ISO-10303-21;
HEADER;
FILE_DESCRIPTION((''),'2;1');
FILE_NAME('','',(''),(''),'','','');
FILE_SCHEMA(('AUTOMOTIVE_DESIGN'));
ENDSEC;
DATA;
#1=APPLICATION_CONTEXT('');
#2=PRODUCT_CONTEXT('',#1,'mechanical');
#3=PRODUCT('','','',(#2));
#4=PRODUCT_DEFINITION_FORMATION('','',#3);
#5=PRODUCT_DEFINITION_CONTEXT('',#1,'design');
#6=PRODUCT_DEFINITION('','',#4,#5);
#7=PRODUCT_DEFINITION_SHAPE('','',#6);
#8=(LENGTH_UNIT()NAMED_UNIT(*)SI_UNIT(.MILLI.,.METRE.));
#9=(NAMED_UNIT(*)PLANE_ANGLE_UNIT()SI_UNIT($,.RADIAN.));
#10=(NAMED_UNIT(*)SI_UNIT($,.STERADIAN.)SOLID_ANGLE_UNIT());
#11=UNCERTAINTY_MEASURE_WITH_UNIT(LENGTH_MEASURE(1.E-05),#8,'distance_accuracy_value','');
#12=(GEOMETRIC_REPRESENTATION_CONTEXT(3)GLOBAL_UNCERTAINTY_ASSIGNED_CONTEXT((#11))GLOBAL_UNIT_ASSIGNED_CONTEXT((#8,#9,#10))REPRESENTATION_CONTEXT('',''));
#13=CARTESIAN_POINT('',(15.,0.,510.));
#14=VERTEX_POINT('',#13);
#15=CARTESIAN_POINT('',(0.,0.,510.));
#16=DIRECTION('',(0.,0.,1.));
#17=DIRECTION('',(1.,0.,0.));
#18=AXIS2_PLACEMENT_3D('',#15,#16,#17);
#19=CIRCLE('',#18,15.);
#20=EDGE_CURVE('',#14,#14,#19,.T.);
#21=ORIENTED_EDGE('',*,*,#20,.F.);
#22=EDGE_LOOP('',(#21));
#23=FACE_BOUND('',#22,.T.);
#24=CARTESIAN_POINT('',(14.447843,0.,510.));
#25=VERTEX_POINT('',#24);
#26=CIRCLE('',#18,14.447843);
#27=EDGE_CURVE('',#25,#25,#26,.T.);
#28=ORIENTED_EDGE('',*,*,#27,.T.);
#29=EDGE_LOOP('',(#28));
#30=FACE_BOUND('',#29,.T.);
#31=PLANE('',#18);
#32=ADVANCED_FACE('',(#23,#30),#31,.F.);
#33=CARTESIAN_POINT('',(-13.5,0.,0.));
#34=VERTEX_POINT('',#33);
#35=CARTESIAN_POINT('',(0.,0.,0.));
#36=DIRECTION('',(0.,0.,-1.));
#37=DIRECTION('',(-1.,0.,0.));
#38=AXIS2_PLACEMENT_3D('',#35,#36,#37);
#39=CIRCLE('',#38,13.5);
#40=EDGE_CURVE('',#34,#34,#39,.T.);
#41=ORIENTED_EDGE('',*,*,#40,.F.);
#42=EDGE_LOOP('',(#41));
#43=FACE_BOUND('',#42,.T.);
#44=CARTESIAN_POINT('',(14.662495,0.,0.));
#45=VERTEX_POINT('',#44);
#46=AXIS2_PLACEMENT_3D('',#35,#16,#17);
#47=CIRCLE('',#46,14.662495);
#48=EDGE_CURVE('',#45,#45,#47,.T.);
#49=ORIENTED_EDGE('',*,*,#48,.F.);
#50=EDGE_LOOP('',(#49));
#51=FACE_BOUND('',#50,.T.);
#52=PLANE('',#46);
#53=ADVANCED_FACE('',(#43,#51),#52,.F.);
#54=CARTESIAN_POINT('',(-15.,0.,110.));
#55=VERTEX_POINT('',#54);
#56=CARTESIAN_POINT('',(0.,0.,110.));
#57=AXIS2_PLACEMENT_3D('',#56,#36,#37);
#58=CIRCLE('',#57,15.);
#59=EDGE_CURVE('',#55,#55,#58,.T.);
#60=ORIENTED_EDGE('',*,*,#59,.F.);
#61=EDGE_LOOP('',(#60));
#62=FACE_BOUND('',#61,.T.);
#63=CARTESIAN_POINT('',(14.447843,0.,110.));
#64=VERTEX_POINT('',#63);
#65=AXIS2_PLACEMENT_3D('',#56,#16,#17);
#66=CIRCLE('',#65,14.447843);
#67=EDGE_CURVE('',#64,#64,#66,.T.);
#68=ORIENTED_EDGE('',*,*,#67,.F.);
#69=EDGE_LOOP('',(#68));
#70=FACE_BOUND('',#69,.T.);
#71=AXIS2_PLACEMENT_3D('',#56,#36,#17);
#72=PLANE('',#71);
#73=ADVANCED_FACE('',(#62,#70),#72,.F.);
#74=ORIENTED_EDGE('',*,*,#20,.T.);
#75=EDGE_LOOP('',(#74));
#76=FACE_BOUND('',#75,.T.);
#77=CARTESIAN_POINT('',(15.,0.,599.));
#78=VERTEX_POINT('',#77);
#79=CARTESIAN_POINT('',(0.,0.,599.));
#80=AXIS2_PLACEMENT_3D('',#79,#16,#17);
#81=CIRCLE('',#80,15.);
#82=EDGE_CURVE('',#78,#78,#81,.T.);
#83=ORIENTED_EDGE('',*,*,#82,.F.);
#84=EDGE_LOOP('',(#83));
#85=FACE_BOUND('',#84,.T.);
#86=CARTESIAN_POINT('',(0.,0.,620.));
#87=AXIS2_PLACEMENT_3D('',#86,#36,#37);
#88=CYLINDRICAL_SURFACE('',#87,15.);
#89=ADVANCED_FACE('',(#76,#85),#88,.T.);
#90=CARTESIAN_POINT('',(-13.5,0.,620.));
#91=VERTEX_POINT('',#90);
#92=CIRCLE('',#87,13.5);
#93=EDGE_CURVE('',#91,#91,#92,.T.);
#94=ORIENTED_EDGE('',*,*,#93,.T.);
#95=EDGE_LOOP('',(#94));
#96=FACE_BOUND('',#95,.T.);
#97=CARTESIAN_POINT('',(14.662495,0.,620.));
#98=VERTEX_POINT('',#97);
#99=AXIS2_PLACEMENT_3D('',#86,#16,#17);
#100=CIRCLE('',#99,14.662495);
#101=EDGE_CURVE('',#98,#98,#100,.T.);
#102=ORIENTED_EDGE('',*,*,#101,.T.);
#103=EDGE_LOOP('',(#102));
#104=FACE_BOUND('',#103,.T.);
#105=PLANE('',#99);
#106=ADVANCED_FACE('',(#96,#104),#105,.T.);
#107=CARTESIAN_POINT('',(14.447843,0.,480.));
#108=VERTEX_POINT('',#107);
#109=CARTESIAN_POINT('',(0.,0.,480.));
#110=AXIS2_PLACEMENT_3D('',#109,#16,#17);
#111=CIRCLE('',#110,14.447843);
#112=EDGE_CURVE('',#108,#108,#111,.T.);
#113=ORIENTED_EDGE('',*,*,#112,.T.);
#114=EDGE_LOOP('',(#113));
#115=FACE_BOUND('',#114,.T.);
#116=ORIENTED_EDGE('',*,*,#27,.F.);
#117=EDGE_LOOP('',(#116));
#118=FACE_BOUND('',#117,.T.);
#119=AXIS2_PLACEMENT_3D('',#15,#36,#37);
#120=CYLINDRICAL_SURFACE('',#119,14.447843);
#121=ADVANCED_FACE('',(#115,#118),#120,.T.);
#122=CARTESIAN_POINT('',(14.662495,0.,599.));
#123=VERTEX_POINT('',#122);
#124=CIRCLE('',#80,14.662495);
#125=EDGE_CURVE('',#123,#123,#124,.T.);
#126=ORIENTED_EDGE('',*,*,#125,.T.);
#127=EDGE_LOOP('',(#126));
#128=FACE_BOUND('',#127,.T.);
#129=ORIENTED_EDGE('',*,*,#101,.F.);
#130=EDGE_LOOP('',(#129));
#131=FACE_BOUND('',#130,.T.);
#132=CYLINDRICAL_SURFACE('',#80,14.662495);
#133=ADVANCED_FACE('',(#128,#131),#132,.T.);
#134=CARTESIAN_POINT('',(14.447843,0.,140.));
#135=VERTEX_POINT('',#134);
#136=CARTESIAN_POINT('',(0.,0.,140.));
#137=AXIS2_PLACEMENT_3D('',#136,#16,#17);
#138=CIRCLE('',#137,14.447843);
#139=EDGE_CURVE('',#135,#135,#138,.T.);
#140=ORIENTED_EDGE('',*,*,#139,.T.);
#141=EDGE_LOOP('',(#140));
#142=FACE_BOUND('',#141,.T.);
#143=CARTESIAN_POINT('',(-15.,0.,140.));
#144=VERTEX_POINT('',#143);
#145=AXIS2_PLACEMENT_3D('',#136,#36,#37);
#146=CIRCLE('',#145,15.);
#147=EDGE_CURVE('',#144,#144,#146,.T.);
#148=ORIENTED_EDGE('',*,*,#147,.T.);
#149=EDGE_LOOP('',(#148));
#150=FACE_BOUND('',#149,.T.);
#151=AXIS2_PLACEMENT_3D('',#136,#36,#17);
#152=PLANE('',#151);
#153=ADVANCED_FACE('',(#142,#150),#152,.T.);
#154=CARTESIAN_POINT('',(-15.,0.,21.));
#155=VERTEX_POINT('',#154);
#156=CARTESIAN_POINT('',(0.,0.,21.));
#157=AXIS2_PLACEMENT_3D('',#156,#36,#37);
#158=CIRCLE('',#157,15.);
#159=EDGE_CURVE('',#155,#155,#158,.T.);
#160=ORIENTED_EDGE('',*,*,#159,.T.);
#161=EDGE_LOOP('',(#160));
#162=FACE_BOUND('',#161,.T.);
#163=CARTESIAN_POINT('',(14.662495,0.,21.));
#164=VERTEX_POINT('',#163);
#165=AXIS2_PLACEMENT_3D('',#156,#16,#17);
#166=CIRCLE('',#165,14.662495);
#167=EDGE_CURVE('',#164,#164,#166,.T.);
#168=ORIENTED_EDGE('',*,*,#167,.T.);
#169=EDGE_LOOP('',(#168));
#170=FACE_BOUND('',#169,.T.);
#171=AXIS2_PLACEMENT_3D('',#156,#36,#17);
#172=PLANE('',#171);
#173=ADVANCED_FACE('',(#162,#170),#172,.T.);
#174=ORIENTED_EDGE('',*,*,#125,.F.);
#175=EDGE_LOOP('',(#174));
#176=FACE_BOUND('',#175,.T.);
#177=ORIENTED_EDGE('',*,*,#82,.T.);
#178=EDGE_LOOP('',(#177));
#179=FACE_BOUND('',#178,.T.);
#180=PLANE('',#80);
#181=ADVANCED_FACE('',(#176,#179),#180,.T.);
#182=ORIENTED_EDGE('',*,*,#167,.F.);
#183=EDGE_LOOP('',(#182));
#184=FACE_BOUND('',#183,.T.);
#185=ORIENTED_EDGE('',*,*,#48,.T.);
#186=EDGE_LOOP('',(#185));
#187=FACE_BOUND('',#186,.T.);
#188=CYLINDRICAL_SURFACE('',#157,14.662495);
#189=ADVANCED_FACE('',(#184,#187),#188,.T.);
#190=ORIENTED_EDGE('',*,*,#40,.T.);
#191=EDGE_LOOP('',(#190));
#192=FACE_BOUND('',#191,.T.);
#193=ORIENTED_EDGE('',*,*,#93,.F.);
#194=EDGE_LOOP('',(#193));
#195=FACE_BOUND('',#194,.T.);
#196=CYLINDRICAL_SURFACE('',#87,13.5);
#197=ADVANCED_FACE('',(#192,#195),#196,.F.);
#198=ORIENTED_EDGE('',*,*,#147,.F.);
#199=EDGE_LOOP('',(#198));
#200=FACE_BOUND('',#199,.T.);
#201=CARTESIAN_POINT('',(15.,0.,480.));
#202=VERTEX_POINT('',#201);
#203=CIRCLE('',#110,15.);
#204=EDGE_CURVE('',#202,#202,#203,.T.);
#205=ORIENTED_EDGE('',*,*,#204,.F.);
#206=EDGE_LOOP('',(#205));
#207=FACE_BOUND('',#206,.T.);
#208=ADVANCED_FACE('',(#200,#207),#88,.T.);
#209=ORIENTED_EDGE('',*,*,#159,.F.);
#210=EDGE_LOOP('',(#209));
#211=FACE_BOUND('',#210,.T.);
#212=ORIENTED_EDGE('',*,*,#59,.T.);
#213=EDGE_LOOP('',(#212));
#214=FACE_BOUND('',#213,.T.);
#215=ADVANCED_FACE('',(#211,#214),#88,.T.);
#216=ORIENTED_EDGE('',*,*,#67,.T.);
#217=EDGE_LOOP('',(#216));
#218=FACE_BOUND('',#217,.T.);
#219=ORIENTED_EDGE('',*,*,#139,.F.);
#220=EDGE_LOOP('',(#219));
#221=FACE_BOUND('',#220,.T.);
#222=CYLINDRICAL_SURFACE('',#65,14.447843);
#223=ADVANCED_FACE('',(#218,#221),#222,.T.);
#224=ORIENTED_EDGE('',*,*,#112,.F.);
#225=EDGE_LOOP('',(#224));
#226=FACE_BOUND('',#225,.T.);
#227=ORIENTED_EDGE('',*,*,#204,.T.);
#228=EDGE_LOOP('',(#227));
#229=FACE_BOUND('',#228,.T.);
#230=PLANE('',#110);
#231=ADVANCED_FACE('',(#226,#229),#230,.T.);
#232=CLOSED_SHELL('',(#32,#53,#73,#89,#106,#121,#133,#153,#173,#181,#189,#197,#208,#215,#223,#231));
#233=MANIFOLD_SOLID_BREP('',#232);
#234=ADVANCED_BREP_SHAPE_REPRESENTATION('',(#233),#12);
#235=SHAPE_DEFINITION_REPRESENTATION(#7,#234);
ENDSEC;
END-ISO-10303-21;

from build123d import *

# Parameters (mm, degrees)
SKETCH1_R           = 15
BOSS_EXTRUDE1_DEPTH = 620
SKETCH2_R           = 13.5
CUT_EXTRUDE1_DEPTH  = 621.362797079
SKETCH4_R           = 16.267367871
SKETCH4_R_2         = 14.447843326
CUT_EXTRUDE2_DEPTH  = 30
SKETCH5_R           = 16.193324777
SKETCH5_R_2         = 14.662495413
CUT_EXTRUDE3_DEPTH  = 21


with BuildPart() as part:
    # Sketch1 → Boss-Extrude1 (new body)
    with BuildSketch(Plane.XY):
        Circle(SKETCH1_R)
    extrude(amount=BOSS_EXTRUDE1_DEPTH)

    # Sketch2 → Cut-Extrude1 (cut, through all)
    with BuildSketch(Plane(origin=(0, 0, 0), x_dir=(-1, 0, 0), z_dir=(0, 0, -1))):
        Circle(SKETCH2_R)
    extrude(amount=-CUT_EXTRUDE1_DEPTH, mode=Mode.SUBTRACT)

    # Sketch4 → Cut-Extrude2 (cut)
    with BuildSketch(Plane.XY.offset(480)):
        Circle(SKETCH4_R)
        Circle(SKETCH4_R_2, mode=Mode.SUBTRACT)
    cut_extrude2 = extrude(amount=CUT_EXTRUDE2_DEPTH, mode=Mode.SUBTRACT)

    # Mirror1: Cut-Extrude2 across plane
    add(cut_extrude2.mirror(Plane.XY.offset(310)), mode=Mode.SUBTRACT)

    # Sketch5 → Cut-Extrude3 (cut)
    with BuildSketch(Plane.XY.offset(620)):
        Circle(SKETCH5_R)
        Circle(SKETCH5_R_2, mode=Mode.SUBTRACT)
    cut_extrude3 = extrude(amount=-CUT_EXTRUDE3_DEPTH, mode=Mode.SUBTRACT)

    # Mirror2: Cut-Extrude3 across plane
    add(cut_extrude3.mirror(Plane.XY.offset(310)), mode=Mode.SUBTRACT)


solid = part.part
